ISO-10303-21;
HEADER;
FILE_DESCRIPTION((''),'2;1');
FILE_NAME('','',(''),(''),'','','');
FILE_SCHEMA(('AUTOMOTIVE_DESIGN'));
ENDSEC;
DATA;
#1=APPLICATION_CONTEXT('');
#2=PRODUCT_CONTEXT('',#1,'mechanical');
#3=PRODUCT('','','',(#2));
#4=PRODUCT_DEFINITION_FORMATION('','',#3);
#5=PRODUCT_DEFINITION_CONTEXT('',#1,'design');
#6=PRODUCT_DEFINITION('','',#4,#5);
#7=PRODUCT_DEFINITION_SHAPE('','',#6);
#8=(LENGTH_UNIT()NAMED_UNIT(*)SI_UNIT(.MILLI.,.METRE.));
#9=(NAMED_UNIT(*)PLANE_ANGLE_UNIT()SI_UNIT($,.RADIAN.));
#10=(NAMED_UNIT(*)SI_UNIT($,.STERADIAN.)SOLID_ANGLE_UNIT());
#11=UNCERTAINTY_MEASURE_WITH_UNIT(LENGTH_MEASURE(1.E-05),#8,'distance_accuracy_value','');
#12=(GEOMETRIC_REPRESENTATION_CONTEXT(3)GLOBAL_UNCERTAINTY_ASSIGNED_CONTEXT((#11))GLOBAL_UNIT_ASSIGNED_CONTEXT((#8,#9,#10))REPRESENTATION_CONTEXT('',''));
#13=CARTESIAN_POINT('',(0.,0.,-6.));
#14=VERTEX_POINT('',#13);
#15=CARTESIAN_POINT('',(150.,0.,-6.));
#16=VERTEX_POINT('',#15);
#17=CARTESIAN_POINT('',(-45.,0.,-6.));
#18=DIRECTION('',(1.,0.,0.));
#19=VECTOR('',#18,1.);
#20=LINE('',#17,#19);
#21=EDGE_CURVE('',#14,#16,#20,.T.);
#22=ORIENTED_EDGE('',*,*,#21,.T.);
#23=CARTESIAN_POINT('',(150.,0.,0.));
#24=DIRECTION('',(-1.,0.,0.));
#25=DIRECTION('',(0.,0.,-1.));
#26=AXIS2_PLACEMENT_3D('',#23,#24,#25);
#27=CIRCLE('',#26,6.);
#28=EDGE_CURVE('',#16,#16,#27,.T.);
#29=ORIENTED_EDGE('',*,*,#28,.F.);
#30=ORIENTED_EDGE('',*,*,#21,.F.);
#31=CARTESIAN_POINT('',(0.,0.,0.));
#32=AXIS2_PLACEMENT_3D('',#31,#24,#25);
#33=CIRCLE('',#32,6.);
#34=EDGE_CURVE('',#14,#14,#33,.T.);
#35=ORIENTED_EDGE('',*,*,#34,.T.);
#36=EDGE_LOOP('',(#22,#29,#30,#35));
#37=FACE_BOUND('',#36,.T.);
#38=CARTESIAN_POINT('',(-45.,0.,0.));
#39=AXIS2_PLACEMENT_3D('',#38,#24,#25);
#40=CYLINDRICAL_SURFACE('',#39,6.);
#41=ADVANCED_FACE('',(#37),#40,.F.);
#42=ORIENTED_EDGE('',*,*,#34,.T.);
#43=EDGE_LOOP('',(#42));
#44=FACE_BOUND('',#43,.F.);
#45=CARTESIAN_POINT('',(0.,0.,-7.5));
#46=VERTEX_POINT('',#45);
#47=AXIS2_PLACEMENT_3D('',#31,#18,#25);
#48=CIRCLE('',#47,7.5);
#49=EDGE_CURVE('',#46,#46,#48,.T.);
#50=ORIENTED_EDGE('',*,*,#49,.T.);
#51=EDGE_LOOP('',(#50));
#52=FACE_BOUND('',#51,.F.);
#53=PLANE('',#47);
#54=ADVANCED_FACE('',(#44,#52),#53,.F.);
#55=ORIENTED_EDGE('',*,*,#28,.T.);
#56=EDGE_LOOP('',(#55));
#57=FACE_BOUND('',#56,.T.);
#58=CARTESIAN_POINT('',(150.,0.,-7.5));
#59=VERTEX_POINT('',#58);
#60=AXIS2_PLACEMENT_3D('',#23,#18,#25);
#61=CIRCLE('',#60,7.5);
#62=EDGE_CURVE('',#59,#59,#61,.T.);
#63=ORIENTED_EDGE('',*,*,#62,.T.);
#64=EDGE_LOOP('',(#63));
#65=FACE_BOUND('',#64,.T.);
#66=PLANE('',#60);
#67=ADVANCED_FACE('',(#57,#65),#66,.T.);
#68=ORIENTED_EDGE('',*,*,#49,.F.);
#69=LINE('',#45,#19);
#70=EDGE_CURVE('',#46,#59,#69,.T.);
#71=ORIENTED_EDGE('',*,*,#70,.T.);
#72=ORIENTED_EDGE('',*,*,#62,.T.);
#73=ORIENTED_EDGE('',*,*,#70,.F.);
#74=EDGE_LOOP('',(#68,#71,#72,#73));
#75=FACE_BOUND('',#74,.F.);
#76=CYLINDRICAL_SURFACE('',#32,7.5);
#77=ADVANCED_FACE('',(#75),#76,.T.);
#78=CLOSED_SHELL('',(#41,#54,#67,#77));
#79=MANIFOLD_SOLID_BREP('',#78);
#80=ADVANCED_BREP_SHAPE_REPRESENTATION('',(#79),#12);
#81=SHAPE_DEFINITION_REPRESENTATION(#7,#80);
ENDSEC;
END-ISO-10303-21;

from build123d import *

# Parameters (mm, degrees)
CYLINDER007_R           = 6
CYLINDER007_DEPTH       = 236
CYLINDER007_PITCH_ANGLE = 90
CYLINDER003_R           = 5.5
CYLINDER003_DEPTH       = 150
CYLINDER003_PITCH_ANGLE = 90
CYLINDER_R              = 7.5
CYLINDER_DEPTH          = 150
CYLINDER_PITCH_ANGLE    = 90


with BuildPart() as connector_bore:
    # Cylinder007 → Cylinder007 (new body)
    with BuildSketch(Plane.XY):
        Circle(CYLINDER007_R)
    extrude(amount=CYLINDER007_DEPTH)


with BuildPart() as connector_bore_1:
    # Cylinder007 pitch: moved
    add(connector_bore.part.rotate(Axis((0, 0, 0), (0, 1, 0)), CYLINDER007_PITCH_ANGLE))


with BuildPart() as connector_bore_2:
    # Cylinder007 placement: moved
    add(connector_bore_1.part.moved(Location((-45, 0, 0))))


with BuildPart() as pvc001:
    # Cylinder003 → Cylinder003 (new body)
    with BuildSketch(Plane.XY):
        Circle(CYLINDER003_R)
    extrude(amount=CYLINDER003_DEPTH)


with BuildPart() as pvc001_1:
    # Cylinder003 pitch: moved
    add(pvc001.part.rotate(Axis((0, 0, 0), (0, 1, 0)), CYLINDER003_PITCH_ANGLE))


with BuildPart() as pvc001_2:
    # Cylinder003 placement: moved
    add(pvc001_1.part)


with BuildPart() as cut006:
    # Cylinder → Cylinder (new body)
    with BuildSketch(Plane.XY):
        Circle(CYLINDER_R)
    extrude(amount=CYLINDER_DEPTH)


with BuildPart() as cut006_1:
    # Cylinder pitch: moved
    add(cut006.part.rotate(Axis((0, 0, 0), (0, 1, 0)), CYLINDER_PITCH_ANGLE))


with BuildPart() as cut006_2:
    # Cylinder placement: moved
    add(cut006_1.part)

    # Cut: cut pvc001
    add(pvc001_2.part, mode=Mode.SUBTRACT)

    # Cut006: cut connector_bore
    add(connector_bore_2.part, mode=Mode.SUBTRACT)


solid = cut006_2.part
